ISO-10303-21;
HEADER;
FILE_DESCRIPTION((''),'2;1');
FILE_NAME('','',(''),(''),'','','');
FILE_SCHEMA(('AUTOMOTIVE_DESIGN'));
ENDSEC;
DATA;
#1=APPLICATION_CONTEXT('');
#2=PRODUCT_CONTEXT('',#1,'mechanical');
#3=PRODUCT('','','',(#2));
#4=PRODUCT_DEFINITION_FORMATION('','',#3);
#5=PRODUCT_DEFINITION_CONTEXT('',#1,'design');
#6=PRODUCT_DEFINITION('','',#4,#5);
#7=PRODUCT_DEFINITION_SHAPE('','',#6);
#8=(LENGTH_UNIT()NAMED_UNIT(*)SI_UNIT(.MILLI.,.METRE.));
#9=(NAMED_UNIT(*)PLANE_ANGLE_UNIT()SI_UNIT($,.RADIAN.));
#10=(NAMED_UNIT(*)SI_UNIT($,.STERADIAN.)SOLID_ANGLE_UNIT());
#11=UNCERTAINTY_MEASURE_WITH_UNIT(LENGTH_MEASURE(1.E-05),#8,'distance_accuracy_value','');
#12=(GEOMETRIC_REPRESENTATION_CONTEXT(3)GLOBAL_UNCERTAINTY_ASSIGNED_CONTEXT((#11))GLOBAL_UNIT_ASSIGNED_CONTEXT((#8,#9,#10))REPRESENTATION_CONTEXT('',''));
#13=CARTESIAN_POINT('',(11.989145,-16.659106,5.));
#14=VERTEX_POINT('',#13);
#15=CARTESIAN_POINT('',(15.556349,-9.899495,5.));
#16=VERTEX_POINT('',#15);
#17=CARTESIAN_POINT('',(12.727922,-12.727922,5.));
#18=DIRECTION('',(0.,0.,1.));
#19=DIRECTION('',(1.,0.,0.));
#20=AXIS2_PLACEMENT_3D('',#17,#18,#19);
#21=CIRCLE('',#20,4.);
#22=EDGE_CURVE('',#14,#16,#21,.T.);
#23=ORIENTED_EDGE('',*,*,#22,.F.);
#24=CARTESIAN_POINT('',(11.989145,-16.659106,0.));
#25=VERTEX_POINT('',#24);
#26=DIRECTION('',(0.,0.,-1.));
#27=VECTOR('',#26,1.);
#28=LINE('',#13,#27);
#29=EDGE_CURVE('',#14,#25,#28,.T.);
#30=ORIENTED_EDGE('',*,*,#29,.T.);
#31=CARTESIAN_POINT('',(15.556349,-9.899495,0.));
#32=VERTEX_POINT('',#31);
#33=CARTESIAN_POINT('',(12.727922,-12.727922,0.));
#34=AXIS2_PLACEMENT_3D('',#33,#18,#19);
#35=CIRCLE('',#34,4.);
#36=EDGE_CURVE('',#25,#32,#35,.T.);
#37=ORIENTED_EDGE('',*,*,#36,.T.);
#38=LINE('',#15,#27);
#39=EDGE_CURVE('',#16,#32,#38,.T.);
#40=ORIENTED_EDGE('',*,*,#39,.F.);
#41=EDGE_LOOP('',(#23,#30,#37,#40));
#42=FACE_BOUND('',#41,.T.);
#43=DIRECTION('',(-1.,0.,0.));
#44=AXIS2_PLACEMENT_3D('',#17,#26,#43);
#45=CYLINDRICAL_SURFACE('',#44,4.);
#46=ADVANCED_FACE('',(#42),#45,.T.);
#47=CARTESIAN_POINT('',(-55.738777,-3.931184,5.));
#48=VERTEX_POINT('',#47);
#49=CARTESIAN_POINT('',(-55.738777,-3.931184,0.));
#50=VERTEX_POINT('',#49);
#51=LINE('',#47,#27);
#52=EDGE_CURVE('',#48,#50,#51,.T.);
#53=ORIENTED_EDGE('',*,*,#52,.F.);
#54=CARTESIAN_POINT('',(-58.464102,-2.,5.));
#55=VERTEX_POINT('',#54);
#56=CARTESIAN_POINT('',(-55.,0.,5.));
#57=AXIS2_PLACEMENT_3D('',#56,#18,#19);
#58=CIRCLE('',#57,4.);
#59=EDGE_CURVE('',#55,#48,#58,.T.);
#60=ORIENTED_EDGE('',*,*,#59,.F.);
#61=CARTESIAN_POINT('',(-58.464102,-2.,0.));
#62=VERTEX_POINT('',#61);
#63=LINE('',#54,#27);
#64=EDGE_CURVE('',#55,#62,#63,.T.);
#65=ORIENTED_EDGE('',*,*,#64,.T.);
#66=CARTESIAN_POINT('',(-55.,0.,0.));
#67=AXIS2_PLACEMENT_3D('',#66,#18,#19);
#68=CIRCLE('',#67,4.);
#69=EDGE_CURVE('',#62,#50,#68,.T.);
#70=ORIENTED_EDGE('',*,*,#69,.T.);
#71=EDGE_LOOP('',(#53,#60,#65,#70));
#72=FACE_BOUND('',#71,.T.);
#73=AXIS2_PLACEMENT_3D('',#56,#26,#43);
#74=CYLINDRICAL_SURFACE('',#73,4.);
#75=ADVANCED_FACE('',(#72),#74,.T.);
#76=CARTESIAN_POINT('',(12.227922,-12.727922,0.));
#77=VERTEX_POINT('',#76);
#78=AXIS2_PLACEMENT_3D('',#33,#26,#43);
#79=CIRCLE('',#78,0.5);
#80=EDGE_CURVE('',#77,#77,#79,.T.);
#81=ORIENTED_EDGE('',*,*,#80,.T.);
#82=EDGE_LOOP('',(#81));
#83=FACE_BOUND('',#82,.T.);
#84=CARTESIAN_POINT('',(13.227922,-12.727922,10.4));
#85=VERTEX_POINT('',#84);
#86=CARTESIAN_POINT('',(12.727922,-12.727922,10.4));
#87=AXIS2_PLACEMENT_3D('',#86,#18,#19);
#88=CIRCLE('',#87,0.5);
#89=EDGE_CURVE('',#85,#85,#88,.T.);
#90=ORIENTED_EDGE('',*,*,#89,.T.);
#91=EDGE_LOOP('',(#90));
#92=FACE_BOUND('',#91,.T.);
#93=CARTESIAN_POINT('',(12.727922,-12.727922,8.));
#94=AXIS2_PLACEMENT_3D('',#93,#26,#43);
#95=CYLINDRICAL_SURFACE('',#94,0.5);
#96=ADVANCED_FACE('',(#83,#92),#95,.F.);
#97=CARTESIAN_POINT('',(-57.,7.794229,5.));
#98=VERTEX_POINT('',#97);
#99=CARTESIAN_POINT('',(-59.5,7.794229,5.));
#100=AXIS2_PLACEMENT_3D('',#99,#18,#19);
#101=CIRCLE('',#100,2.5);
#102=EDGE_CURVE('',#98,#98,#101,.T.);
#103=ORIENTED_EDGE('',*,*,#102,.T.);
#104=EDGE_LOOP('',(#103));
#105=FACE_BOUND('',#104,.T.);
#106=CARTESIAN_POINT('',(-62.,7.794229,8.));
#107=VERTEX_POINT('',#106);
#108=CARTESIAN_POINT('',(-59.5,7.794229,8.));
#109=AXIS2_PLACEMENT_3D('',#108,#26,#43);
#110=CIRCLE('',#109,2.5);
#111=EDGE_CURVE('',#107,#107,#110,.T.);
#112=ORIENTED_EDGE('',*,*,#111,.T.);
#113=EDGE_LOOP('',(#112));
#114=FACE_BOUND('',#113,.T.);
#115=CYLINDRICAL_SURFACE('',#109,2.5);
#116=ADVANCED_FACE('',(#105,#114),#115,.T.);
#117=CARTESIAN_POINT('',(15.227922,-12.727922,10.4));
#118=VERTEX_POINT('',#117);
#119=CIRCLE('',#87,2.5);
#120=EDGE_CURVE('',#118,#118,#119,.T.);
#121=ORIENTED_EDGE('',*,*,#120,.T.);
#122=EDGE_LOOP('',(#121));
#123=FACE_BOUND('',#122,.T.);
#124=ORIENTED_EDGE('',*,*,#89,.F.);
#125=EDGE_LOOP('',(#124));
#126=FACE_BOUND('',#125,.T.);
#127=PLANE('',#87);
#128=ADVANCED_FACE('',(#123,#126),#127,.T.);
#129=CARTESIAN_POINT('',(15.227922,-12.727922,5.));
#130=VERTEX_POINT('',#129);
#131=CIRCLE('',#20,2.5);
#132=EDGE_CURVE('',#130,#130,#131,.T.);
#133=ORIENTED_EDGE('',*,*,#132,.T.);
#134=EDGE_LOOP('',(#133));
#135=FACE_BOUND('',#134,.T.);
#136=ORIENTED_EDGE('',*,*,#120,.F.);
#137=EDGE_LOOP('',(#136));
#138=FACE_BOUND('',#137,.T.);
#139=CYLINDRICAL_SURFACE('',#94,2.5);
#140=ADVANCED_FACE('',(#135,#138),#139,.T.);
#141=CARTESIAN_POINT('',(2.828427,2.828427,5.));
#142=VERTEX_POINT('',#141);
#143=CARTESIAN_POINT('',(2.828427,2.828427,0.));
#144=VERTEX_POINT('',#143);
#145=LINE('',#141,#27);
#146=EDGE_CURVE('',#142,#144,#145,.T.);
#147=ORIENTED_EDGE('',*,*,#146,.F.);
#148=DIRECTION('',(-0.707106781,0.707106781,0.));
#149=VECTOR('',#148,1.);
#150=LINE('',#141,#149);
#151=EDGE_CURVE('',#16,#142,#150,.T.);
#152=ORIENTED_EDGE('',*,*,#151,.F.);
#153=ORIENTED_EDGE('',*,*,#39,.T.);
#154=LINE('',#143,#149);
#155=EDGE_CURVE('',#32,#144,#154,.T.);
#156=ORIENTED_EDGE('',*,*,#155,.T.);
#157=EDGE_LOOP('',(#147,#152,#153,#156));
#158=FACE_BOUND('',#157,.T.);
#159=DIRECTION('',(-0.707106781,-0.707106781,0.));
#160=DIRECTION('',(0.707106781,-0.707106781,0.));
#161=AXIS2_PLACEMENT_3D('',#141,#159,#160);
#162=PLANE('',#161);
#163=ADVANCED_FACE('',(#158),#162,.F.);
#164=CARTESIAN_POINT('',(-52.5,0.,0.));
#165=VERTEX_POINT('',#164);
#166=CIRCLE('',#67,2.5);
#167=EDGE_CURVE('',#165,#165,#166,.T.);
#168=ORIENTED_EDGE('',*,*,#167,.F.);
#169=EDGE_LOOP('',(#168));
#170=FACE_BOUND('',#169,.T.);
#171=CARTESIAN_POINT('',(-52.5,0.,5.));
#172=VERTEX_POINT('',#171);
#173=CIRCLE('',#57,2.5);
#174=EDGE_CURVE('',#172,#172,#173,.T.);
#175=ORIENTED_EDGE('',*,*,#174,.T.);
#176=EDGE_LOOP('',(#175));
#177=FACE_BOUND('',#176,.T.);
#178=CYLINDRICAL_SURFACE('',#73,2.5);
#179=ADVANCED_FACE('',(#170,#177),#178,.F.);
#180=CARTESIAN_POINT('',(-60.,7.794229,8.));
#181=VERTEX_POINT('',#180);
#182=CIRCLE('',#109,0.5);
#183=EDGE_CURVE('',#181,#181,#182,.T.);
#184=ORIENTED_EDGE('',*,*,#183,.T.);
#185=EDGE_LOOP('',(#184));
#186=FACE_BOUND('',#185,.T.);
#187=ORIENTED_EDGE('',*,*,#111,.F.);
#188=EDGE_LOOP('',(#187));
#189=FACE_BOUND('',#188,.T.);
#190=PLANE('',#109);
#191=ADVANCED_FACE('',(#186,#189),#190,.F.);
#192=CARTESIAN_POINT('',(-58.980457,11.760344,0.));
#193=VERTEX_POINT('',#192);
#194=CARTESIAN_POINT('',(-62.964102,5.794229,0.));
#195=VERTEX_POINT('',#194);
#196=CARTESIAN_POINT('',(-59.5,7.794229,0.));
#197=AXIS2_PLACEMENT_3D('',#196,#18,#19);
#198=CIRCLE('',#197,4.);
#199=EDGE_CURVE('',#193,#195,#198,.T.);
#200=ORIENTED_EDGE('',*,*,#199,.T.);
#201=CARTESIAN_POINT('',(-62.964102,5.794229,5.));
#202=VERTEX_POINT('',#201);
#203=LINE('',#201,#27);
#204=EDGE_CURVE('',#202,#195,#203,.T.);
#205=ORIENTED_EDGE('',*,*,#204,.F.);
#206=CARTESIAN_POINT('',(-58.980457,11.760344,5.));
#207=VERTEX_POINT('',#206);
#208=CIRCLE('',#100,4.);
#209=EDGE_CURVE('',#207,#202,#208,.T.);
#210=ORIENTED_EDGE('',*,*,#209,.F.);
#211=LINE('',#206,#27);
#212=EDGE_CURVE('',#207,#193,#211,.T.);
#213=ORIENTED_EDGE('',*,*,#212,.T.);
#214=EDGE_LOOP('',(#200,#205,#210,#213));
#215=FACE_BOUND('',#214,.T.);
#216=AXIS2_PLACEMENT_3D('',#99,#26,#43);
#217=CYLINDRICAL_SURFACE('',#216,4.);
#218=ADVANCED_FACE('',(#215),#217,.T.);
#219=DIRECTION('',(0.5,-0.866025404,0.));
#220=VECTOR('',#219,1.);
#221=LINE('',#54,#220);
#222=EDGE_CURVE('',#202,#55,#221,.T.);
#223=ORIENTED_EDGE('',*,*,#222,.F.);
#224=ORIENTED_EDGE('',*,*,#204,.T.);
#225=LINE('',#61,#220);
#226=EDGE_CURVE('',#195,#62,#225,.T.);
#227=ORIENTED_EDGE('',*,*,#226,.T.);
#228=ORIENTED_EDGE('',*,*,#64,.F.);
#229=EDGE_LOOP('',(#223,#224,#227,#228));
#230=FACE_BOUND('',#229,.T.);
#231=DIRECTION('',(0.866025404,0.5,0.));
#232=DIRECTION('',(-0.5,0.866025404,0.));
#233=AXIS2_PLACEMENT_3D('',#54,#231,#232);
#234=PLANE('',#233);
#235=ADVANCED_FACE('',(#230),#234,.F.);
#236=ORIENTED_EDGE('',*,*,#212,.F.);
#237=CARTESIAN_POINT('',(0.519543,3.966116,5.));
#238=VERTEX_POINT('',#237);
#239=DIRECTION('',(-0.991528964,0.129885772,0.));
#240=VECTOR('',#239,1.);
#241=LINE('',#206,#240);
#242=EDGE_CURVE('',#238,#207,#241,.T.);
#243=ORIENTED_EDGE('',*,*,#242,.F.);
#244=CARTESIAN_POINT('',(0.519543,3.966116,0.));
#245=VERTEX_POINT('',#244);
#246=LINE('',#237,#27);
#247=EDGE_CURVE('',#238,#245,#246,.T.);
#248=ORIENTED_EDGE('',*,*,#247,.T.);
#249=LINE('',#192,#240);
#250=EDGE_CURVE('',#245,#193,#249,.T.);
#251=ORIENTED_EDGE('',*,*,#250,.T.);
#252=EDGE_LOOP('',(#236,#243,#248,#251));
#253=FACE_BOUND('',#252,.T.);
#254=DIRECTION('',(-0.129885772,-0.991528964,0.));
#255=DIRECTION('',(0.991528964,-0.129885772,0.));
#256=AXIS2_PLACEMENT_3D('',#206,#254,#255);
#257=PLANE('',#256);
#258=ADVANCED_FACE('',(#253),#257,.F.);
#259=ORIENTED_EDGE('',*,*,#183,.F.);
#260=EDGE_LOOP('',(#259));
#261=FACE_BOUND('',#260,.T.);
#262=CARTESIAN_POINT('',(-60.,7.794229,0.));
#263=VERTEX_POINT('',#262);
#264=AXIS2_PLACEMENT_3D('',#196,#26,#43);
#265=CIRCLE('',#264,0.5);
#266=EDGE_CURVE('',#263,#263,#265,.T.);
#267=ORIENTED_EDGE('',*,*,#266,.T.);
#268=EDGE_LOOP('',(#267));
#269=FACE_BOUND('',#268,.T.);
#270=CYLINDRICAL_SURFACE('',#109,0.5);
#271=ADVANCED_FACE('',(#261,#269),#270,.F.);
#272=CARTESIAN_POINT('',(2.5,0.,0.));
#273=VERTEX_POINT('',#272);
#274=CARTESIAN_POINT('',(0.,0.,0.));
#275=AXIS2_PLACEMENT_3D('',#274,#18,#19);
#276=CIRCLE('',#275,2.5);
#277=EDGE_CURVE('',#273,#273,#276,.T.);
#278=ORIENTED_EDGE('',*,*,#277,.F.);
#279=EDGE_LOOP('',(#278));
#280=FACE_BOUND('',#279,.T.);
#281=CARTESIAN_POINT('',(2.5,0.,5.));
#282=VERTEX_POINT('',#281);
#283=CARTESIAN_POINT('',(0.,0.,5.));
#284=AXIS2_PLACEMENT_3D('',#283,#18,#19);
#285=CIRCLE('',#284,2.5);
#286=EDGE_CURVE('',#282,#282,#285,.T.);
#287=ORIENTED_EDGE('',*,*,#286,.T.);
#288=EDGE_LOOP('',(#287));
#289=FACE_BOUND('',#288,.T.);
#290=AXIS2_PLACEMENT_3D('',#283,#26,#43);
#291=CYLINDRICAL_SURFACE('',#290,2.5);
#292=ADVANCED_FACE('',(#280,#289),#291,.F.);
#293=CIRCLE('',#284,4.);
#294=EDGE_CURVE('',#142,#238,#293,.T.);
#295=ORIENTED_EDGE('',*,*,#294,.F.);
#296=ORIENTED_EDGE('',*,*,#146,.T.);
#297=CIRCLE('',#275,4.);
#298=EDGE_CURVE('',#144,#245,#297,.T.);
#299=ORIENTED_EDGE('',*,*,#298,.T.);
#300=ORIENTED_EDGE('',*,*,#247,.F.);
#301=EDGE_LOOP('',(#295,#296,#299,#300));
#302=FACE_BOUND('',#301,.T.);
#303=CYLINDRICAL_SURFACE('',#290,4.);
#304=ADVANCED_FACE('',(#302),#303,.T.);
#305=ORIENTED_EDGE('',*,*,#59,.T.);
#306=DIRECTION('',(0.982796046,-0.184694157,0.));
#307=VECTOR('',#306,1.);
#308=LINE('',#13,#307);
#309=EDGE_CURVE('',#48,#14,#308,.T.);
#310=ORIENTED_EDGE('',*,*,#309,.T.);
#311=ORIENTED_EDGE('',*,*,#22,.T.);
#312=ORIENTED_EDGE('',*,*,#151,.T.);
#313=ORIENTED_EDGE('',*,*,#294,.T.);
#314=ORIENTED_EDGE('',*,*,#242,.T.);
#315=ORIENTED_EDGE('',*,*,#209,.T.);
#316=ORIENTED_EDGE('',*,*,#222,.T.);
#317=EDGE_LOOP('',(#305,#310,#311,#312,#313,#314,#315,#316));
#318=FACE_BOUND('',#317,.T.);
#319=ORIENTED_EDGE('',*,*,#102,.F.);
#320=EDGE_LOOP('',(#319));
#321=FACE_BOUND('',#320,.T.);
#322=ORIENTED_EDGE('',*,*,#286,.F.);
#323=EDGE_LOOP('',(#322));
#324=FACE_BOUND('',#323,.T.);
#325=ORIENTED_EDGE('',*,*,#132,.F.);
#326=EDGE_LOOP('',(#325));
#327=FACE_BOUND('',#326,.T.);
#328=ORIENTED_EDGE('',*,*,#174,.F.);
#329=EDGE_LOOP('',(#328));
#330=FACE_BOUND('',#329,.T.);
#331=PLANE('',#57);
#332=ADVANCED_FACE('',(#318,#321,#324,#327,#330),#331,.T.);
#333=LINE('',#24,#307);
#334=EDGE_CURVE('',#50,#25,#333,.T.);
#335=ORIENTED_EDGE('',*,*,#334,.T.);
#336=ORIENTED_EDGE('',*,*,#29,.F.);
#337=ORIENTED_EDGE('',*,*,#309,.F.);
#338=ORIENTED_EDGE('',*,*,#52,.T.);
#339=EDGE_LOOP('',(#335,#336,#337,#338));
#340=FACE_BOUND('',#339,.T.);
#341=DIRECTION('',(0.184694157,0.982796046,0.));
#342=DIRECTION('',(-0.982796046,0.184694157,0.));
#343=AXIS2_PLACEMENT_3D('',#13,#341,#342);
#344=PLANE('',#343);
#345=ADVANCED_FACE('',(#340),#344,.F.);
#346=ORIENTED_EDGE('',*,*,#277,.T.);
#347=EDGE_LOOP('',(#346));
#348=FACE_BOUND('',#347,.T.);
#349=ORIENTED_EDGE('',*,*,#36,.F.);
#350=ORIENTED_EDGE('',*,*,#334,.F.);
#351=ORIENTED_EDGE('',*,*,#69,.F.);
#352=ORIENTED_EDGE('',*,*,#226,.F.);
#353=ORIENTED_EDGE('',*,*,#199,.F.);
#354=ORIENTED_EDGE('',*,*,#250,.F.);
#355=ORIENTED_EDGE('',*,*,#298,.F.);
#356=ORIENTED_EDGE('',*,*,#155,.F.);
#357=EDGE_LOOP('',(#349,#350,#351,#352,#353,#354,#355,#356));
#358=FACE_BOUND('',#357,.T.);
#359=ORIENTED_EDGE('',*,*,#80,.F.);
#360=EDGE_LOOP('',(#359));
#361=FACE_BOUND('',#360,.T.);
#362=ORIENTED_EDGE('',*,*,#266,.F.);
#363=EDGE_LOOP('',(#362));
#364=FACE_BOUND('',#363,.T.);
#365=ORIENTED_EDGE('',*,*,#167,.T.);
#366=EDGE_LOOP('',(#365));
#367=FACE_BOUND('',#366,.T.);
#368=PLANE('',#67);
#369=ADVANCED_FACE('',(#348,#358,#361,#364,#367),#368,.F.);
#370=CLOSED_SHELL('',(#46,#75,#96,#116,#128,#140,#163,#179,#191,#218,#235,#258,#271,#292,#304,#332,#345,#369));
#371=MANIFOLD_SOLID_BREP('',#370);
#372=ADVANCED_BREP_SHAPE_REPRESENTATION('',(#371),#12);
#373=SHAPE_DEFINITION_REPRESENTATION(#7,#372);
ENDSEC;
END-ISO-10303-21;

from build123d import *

# Parameters (mm, degrees)
SKETCH2_R           = 2.5
BOSS_EXTRUDE1_DEPTH = 5
SKETCH4_R           = 2.5
SKETCH4_R_2         = 0.5
BOSS_EXTRUDE3_DEPTH = 8
SKETCH5_R           = 2.5
SKETCH5_R_2         = 0.5
BOSS_EXTRUDE4_DEPTH = 2.4


with BuildPart() as part:
    # Sketch2 → Boss-Extrude1 (new body)
    with BuildSketch(Plane.XY):
        with BuildLine():
            Line((-58.980456911, 11.76034449), (0.519543089, 3.966115855))
            ThreePointArc((0.519543089, 3.966115855), (1.767996055, 3.588062144), (2.828427125, 2.828427125))
            Line((2.828427125, 2.828427125), (15.556349186, -9.899494937))
            ThreePointArc((15.556349186, -9.899494937), (16.265540761, -14.594805544), (11.989145433, -16.659106246))
            Line((11.989145433, -16.659106246), (-55.738776628, -3.931184185))
            ThreePointArc((-55.738776628, -3.931184185), (-57.312663934, -3.263676689), (-58.464101615, -2))
            Line((-58.464101615, -2), (-62.964101615, 5.794228634))
            ThreePointArc((-62.964101615, 5.794228634), (-62.826595982, 10.015435327), (-58.980456911, 11.76034449))
        make_face()
        with Locations((-55, 0)):
            Circle(SKETCH2_R, mode=Mode.SUBTRACT)
        with Locations((-59.5, 7.794228634)):
            Circle(SKETCH2_R, mode=Mode.SUBTRACT)
        Circle(SKETCH2_R, mode=Mode.SUBTRACT)
        with Locations((12.727922061, -12.727922061)):
            Circle(SKETCH2_R, mode=Mode.SUBTRACT)
    extrude(amount=BOSS_EXTRUDE1_DEPTH)

    # Sketch4 → Boss-Extrude3 (add)
    # profile 1 of 2: a face of its own
    with BuildSketch(Plane(origin=(0, 0, 0), x_dir=(-1, 0, 0), z_dir=(0, 0, -1))):
        with Locations((59.5, 7.794228634)):
            Circle(SKETCH4_R)
        with Locations((59.5, 7.794228634)):
            Circle(SKETCH4_R_2, mode=Mode.SUBTRACT)
    # profile 2 of 2: a face of its own
    with BuildSketch(Plane(origin=(0, 0, 0), x_dir=(-1, 0, 0), z_dir=(0, 0, -1))):
        with Locations((-12.727922061, -12.727922061)):
            Circle(SKETCH4_R)
        with Locations((-12.727922061, -12.727922061)):
            Circle(SKETCH4_R_2, mode=Mode.SUBTRACT)
    extrude(amount=-BOSS_EXTRUDE3_DEPTH)

    # Sketch5 → Boss-Extrude4 (add)
    with BuildSketch(Plane.XY.offset(8)):
        with Locations((12.727922061, -12.727922061)):
            Circle(SKETCH5_R)
        with Locations(Location((12.727922061, -12.727922061, 0), (0, 0, 180))):
            Circle(SKETCH5_R_2, mode=Mode.SUBTRACT)
    extrude(amount=BOSS_EXTRUDE4_DEPTH)


solid = part.part
